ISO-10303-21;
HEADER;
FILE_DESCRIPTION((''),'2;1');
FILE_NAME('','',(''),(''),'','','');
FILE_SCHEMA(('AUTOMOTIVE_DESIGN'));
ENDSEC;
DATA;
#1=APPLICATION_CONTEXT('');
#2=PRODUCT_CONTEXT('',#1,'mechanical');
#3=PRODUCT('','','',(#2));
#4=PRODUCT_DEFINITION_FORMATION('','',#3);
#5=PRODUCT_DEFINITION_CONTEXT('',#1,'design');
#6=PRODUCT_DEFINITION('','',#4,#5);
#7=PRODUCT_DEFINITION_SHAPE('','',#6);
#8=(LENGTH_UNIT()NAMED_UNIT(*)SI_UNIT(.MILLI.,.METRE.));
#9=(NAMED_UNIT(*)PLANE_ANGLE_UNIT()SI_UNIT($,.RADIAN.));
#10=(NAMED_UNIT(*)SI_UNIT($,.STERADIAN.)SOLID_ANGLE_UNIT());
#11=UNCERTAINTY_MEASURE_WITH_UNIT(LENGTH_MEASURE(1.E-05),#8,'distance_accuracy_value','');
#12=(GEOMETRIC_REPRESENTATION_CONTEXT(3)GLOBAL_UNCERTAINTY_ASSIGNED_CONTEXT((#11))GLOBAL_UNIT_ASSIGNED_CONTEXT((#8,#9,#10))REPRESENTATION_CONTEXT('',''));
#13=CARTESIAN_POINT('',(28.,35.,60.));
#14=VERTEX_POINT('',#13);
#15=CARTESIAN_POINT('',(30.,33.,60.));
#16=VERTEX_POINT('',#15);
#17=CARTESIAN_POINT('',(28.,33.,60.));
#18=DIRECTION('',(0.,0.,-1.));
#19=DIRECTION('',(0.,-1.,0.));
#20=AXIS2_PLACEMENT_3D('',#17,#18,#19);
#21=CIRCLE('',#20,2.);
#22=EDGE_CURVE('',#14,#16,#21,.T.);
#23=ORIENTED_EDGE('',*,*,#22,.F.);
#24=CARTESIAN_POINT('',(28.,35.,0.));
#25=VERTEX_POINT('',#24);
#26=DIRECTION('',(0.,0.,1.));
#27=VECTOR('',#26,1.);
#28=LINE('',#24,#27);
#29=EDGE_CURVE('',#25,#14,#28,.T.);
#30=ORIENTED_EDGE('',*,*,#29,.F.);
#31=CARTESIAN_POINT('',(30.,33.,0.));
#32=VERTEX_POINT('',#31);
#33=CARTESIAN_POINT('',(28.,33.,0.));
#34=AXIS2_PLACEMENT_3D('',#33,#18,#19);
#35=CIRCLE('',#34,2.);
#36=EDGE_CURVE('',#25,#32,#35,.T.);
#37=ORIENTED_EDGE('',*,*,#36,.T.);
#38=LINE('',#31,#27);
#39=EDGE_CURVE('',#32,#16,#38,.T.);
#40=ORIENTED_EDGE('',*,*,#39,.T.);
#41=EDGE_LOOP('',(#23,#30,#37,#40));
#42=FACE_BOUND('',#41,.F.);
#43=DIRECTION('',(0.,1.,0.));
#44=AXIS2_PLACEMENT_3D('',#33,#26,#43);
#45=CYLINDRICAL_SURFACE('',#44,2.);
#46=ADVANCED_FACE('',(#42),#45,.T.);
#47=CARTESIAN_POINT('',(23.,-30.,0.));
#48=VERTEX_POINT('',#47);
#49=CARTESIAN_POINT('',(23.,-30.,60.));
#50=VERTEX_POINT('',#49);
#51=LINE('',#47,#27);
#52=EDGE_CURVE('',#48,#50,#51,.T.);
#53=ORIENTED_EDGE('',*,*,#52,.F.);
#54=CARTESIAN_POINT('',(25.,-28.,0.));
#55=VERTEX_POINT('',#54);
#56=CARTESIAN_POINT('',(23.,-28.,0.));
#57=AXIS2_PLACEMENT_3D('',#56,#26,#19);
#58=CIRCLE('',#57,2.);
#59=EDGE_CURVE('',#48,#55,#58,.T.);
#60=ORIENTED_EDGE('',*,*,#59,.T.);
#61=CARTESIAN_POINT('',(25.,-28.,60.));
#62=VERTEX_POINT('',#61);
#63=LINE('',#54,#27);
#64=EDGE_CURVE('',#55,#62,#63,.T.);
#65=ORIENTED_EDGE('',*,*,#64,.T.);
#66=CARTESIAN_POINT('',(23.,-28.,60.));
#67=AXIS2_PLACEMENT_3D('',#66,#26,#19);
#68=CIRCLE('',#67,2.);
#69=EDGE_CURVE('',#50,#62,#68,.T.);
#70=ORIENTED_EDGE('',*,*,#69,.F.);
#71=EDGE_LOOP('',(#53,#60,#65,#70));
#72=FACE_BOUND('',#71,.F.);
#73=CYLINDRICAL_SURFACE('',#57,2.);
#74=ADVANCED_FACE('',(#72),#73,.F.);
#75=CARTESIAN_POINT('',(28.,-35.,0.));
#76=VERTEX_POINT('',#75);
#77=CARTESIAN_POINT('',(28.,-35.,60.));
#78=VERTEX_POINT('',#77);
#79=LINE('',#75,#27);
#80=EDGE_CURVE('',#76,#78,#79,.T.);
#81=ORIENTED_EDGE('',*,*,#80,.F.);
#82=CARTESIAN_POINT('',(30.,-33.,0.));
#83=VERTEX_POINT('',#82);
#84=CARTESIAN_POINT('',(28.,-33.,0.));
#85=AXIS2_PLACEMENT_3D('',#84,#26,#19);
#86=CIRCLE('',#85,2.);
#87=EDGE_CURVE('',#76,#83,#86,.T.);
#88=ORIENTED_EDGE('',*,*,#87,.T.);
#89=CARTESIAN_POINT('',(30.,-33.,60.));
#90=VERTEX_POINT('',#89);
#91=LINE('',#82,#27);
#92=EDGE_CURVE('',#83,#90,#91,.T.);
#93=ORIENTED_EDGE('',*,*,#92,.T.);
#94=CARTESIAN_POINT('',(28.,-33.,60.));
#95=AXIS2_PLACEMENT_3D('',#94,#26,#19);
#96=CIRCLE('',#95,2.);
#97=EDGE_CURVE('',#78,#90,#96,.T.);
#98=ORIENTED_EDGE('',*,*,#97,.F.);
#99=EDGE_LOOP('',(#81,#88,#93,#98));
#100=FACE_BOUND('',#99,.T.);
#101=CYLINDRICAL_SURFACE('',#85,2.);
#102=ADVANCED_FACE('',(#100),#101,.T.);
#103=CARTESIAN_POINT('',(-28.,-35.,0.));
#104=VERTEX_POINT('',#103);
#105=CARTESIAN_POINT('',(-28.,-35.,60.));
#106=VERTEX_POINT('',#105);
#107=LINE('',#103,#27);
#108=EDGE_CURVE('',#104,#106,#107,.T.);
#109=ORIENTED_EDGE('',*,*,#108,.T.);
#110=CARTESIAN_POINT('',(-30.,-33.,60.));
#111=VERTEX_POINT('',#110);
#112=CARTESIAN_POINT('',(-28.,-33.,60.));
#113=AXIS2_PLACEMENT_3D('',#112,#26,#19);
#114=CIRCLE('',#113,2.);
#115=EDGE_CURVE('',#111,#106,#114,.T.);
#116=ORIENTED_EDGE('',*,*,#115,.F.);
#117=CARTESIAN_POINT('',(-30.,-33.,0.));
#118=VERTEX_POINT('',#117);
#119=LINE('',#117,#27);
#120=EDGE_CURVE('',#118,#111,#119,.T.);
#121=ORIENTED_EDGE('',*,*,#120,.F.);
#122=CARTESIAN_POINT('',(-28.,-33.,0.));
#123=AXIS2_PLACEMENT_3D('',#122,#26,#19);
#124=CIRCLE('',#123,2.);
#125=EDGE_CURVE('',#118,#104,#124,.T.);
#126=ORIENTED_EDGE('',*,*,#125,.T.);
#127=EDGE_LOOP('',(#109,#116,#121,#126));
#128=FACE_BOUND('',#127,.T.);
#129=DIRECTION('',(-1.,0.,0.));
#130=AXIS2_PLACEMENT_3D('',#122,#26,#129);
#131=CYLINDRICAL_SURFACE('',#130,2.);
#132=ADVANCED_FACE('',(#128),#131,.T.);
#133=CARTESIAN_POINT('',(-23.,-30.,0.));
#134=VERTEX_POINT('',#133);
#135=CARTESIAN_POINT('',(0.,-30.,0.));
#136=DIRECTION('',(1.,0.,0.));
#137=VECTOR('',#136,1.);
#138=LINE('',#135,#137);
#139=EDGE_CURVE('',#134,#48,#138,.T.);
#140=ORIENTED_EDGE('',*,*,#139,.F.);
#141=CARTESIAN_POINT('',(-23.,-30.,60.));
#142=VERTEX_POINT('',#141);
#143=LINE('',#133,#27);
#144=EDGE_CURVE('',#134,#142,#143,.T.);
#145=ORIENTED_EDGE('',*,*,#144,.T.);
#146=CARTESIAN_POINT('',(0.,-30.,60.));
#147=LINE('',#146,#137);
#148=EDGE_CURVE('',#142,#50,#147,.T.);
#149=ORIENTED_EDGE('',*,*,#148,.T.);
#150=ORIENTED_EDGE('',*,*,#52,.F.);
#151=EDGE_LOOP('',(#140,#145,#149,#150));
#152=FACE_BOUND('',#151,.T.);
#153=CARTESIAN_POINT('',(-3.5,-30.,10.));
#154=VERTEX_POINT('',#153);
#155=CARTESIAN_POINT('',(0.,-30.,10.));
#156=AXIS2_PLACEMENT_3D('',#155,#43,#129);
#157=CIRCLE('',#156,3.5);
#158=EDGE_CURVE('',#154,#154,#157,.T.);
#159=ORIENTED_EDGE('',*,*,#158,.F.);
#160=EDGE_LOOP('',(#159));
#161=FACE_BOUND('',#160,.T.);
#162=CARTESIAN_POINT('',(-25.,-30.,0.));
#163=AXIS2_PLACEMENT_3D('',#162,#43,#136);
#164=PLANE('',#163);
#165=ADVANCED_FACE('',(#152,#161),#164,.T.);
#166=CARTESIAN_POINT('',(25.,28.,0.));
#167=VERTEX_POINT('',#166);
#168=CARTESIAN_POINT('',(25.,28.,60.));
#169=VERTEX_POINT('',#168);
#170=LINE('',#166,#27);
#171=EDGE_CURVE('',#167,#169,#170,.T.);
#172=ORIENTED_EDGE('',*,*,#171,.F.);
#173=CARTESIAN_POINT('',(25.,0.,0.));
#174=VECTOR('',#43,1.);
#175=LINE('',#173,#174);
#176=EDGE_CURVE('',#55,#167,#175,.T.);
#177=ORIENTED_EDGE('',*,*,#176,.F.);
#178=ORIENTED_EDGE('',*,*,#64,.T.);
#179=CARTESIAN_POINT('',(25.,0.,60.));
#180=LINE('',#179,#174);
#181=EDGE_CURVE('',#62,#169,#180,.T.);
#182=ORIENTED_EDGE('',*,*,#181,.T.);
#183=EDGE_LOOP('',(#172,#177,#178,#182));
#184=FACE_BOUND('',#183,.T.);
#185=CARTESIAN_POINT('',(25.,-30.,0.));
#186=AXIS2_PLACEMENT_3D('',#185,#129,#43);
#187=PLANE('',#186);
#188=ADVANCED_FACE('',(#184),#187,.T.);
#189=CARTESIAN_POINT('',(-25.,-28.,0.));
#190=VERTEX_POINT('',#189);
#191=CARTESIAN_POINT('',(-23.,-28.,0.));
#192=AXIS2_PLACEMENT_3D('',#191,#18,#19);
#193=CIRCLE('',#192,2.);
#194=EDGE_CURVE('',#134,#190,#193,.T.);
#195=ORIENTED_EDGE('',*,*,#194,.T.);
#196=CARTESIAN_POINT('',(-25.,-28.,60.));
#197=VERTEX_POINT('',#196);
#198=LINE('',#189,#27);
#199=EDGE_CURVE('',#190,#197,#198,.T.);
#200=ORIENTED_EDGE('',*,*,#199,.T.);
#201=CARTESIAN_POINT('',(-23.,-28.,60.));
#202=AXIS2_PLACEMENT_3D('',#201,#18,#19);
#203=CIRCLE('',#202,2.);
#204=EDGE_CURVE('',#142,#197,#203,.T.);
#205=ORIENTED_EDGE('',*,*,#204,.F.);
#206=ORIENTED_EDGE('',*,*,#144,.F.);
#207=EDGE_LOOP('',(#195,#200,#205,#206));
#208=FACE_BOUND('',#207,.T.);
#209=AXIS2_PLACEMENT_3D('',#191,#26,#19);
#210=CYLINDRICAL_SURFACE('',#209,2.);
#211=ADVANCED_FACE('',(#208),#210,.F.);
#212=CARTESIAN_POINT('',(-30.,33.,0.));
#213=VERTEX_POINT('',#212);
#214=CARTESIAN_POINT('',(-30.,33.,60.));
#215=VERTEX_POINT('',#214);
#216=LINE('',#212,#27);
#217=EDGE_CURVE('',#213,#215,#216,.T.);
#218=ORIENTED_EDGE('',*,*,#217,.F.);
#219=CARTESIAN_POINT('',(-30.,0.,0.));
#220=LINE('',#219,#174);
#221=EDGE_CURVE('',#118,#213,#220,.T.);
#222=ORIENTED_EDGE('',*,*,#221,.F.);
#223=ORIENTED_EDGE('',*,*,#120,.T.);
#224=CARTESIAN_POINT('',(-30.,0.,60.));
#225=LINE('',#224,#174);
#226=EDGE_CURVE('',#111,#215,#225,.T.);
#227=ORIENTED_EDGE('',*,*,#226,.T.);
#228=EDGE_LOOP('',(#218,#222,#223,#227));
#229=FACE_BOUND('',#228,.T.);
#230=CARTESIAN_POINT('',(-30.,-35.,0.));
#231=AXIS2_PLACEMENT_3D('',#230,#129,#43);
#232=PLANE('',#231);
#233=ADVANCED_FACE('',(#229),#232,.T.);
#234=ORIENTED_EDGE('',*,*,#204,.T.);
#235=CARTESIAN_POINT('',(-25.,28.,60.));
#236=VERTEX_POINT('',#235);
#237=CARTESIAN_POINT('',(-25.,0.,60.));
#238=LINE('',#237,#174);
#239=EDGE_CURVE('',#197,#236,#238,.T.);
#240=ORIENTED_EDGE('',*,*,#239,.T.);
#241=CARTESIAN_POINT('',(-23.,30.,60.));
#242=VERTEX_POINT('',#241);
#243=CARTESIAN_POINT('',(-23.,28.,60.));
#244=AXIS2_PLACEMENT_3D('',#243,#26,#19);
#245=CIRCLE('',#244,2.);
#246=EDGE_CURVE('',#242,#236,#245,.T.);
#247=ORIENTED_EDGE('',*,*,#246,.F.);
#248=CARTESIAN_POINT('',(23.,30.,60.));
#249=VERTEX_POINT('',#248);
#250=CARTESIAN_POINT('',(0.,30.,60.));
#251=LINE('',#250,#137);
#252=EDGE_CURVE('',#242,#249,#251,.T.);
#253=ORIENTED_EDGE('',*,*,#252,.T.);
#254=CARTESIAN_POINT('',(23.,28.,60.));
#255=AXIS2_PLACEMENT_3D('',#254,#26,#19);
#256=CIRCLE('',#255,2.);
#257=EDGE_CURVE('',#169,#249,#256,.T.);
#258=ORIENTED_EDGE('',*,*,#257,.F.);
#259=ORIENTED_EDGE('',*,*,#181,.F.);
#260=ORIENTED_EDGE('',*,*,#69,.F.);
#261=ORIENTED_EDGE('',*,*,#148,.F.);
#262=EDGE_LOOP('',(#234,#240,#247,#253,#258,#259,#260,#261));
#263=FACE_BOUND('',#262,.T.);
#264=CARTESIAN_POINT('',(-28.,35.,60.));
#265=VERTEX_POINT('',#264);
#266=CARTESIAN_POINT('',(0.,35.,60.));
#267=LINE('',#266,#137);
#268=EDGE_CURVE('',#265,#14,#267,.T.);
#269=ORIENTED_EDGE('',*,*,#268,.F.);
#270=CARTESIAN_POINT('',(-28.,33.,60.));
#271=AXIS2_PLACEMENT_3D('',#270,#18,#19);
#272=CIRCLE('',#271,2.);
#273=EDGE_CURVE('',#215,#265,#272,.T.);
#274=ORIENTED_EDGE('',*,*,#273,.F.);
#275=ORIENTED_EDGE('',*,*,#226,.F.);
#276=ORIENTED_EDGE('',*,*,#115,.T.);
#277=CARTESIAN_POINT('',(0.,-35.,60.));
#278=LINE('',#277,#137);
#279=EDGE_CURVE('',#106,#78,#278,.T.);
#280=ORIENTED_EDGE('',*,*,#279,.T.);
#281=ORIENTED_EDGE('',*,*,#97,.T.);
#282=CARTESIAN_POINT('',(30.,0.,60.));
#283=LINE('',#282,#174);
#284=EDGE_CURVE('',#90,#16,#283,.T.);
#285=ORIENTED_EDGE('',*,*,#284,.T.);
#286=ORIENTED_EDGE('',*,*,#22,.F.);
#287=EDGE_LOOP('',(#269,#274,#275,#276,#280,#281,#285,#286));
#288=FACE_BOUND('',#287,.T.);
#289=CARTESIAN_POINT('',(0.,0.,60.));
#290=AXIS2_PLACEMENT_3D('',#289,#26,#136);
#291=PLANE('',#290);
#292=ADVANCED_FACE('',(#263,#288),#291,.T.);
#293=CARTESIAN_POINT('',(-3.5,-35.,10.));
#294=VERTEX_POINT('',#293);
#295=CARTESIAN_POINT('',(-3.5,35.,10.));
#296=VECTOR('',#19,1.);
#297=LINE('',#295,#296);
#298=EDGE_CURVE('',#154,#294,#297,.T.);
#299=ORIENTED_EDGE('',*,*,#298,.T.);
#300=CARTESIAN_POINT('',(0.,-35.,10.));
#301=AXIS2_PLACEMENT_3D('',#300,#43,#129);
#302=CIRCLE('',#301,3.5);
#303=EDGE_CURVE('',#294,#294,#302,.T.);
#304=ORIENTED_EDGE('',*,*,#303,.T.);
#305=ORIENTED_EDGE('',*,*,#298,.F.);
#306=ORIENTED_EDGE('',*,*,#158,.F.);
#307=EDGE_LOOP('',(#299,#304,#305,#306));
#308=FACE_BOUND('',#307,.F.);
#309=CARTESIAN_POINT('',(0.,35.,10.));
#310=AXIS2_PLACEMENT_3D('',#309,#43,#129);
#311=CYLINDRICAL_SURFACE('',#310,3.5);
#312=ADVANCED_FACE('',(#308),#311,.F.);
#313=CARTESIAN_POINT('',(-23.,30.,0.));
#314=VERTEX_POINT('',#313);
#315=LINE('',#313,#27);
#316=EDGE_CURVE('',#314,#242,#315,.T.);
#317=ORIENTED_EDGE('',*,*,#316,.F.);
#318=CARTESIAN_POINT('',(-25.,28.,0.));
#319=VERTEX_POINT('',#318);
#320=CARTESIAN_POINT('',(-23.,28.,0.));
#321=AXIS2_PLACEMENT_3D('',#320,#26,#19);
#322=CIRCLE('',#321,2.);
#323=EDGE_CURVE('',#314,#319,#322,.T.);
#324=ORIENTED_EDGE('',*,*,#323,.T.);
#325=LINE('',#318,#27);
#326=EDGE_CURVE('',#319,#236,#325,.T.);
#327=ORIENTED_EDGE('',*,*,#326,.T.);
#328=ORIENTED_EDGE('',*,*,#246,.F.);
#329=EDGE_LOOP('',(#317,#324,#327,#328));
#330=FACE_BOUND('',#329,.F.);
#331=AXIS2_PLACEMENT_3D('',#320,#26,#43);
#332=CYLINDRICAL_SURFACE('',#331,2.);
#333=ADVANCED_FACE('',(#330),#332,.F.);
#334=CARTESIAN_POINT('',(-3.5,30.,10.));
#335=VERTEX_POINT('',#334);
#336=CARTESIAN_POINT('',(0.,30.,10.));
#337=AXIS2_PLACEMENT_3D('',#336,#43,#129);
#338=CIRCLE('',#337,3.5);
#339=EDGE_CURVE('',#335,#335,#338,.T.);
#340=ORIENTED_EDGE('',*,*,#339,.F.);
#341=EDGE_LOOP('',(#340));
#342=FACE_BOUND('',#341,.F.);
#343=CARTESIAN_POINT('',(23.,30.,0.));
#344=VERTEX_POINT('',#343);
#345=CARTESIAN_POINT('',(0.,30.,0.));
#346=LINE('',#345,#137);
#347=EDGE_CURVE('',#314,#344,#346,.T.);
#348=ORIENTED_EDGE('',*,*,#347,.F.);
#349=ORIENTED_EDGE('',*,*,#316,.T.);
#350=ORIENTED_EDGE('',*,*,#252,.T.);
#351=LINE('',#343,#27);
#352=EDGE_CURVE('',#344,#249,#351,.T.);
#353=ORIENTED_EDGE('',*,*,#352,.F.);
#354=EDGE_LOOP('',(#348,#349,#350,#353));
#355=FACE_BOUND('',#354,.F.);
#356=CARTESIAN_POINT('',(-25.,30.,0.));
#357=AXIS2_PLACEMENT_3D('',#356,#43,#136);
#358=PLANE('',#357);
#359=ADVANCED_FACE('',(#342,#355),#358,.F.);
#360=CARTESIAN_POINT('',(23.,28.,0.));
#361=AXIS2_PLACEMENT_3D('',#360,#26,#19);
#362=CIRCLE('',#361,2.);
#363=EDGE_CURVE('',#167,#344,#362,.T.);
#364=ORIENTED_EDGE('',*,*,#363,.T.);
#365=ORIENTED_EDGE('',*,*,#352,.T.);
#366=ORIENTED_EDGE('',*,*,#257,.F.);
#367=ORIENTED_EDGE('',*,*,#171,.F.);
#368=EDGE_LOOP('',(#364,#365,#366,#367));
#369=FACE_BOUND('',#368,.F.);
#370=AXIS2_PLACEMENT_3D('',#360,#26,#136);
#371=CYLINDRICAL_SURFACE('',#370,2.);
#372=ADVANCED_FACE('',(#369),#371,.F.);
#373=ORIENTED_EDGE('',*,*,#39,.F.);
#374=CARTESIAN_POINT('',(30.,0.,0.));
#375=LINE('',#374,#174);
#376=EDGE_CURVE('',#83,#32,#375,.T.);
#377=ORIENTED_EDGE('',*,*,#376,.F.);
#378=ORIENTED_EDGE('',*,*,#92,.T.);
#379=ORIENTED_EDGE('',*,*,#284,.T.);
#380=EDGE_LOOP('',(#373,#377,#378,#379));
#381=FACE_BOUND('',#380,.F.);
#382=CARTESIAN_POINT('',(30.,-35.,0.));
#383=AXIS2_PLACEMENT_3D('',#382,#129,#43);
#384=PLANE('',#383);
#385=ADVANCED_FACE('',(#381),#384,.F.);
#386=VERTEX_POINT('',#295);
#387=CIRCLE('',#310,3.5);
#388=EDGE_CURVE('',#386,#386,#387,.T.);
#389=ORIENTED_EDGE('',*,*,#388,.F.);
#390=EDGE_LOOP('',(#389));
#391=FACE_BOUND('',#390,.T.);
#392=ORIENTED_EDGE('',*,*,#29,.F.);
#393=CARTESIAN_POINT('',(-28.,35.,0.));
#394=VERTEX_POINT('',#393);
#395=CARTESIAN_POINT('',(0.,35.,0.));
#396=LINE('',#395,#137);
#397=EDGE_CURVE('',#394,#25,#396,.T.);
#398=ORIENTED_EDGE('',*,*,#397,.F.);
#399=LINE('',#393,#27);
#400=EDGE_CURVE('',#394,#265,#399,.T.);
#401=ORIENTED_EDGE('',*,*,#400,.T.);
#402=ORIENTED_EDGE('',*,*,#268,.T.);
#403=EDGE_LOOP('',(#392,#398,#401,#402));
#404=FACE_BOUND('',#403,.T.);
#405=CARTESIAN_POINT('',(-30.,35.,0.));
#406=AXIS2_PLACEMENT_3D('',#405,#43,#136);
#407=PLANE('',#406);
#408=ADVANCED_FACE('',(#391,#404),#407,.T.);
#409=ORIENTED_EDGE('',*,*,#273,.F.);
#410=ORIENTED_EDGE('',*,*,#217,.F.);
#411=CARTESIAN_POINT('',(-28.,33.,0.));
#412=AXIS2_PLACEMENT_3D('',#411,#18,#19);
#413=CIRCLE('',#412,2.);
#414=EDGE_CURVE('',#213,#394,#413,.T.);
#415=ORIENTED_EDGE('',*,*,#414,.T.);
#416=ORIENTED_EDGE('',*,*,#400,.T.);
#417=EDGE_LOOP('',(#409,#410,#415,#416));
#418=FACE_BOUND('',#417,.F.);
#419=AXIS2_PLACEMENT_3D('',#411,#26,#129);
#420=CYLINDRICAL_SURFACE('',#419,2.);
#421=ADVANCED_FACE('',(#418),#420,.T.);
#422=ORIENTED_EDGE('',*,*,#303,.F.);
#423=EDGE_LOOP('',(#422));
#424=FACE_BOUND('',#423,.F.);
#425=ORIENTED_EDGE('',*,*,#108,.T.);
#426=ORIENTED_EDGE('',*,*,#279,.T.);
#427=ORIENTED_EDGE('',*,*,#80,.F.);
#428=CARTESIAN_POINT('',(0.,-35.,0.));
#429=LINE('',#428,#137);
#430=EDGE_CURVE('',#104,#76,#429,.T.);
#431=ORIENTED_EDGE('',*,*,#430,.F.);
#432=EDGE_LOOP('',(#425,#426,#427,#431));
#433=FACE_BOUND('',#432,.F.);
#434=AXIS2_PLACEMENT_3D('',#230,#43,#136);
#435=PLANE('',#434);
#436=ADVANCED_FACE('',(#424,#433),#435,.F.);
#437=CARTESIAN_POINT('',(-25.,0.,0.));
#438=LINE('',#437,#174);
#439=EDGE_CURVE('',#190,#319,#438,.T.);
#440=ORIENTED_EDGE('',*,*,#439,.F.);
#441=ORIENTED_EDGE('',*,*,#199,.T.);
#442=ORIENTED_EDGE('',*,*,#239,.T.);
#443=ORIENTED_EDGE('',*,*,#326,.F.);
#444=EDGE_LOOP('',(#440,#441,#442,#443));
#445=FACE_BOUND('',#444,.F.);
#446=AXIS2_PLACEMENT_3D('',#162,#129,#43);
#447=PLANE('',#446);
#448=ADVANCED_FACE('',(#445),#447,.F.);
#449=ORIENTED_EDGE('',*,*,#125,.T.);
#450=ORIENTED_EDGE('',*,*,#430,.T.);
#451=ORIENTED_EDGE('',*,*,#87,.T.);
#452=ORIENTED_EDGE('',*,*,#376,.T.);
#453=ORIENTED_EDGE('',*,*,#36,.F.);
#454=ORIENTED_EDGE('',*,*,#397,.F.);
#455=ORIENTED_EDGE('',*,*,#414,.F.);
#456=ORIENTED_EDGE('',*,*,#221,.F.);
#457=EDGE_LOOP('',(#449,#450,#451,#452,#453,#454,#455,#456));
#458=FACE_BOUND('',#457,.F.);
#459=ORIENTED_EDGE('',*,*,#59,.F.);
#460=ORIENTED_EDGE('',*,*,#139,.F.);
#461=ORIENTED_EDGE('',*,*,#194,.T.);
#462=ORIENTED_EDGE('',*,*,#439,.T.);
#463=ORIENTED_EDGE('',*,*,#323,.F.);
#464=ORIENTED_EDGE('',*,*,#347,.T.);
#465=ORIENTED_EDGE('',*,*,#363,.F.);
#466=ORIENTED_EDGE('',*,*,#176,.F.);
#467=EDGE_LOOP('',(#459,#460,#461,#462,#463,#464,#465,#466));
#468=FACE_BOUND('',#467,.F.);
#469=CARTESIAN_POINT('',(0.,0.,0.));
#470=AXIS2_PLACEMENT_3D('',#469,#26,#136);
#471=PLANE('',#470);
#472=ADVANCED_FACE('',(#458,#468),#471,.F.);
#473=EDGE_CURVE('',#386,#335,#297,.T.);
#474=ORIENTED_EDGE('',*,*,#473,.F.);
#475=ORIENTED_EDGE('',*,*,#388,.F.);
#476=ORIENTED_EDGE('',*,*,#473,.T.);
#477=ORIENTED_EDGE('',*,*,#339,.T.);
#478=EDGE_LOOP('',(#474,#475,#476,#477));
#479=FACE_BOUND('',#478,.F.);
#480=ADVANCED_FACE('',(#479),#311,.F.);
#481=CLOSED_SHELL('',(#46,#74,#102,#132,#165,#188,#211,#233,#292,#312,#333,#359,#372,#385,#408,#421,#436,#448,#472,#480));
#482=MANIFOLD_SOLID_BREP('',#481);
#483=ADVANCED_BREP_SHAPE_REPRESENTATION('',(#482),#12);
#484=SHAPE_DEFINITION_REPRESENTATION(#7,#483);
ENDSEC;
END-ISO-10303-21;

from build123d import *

# Parameters (mm, degrees)
F0_W     = 60
F0_H     = 70
F0_W_2   = 50
F0_H_2   = 60
F1_DEPTH = 60
F2_R     = 2
F3_R     = 3.5
F4_DEPTH = 70


with BuildPart() as f1:
    # F0 (on Top) → F1 (new body)
    with BuildSketch(Plane.XY):
        Rectangle(F0_W, F0_H)
        Rectangle(F0_W_2, F0_H_2, mode=Mode.SUBTRACT)
    extrude(amount=F1_DEPTH)

    # F2
    f2_edges = [f1.edges().sort_by_distance(p)[0] for p in [
        (-30, 35, 30),
        (30, 35, 30),
        (30, -35, 30),
        (-30, -35, 30),
        (-25, 30, 30),
        (25, 30, 30),
        (-25, -30, 30),
        (25, -30, 30),
    ]]
    fillet(f2_edges, radius=F2_R)

    # F3 (on face) → F4 (cut)
    with BuildSketch(Plane(origin=(0, 35, 0), x_dir=(-1, 0, 0), z_dir=(0, 1, 0))):
        with Locations((0, 10)):
            Circle(F3_R)
    extrude(amount=-F4_DEPTH, mode=Mode.SUBTRACT)


solid = f1.part
